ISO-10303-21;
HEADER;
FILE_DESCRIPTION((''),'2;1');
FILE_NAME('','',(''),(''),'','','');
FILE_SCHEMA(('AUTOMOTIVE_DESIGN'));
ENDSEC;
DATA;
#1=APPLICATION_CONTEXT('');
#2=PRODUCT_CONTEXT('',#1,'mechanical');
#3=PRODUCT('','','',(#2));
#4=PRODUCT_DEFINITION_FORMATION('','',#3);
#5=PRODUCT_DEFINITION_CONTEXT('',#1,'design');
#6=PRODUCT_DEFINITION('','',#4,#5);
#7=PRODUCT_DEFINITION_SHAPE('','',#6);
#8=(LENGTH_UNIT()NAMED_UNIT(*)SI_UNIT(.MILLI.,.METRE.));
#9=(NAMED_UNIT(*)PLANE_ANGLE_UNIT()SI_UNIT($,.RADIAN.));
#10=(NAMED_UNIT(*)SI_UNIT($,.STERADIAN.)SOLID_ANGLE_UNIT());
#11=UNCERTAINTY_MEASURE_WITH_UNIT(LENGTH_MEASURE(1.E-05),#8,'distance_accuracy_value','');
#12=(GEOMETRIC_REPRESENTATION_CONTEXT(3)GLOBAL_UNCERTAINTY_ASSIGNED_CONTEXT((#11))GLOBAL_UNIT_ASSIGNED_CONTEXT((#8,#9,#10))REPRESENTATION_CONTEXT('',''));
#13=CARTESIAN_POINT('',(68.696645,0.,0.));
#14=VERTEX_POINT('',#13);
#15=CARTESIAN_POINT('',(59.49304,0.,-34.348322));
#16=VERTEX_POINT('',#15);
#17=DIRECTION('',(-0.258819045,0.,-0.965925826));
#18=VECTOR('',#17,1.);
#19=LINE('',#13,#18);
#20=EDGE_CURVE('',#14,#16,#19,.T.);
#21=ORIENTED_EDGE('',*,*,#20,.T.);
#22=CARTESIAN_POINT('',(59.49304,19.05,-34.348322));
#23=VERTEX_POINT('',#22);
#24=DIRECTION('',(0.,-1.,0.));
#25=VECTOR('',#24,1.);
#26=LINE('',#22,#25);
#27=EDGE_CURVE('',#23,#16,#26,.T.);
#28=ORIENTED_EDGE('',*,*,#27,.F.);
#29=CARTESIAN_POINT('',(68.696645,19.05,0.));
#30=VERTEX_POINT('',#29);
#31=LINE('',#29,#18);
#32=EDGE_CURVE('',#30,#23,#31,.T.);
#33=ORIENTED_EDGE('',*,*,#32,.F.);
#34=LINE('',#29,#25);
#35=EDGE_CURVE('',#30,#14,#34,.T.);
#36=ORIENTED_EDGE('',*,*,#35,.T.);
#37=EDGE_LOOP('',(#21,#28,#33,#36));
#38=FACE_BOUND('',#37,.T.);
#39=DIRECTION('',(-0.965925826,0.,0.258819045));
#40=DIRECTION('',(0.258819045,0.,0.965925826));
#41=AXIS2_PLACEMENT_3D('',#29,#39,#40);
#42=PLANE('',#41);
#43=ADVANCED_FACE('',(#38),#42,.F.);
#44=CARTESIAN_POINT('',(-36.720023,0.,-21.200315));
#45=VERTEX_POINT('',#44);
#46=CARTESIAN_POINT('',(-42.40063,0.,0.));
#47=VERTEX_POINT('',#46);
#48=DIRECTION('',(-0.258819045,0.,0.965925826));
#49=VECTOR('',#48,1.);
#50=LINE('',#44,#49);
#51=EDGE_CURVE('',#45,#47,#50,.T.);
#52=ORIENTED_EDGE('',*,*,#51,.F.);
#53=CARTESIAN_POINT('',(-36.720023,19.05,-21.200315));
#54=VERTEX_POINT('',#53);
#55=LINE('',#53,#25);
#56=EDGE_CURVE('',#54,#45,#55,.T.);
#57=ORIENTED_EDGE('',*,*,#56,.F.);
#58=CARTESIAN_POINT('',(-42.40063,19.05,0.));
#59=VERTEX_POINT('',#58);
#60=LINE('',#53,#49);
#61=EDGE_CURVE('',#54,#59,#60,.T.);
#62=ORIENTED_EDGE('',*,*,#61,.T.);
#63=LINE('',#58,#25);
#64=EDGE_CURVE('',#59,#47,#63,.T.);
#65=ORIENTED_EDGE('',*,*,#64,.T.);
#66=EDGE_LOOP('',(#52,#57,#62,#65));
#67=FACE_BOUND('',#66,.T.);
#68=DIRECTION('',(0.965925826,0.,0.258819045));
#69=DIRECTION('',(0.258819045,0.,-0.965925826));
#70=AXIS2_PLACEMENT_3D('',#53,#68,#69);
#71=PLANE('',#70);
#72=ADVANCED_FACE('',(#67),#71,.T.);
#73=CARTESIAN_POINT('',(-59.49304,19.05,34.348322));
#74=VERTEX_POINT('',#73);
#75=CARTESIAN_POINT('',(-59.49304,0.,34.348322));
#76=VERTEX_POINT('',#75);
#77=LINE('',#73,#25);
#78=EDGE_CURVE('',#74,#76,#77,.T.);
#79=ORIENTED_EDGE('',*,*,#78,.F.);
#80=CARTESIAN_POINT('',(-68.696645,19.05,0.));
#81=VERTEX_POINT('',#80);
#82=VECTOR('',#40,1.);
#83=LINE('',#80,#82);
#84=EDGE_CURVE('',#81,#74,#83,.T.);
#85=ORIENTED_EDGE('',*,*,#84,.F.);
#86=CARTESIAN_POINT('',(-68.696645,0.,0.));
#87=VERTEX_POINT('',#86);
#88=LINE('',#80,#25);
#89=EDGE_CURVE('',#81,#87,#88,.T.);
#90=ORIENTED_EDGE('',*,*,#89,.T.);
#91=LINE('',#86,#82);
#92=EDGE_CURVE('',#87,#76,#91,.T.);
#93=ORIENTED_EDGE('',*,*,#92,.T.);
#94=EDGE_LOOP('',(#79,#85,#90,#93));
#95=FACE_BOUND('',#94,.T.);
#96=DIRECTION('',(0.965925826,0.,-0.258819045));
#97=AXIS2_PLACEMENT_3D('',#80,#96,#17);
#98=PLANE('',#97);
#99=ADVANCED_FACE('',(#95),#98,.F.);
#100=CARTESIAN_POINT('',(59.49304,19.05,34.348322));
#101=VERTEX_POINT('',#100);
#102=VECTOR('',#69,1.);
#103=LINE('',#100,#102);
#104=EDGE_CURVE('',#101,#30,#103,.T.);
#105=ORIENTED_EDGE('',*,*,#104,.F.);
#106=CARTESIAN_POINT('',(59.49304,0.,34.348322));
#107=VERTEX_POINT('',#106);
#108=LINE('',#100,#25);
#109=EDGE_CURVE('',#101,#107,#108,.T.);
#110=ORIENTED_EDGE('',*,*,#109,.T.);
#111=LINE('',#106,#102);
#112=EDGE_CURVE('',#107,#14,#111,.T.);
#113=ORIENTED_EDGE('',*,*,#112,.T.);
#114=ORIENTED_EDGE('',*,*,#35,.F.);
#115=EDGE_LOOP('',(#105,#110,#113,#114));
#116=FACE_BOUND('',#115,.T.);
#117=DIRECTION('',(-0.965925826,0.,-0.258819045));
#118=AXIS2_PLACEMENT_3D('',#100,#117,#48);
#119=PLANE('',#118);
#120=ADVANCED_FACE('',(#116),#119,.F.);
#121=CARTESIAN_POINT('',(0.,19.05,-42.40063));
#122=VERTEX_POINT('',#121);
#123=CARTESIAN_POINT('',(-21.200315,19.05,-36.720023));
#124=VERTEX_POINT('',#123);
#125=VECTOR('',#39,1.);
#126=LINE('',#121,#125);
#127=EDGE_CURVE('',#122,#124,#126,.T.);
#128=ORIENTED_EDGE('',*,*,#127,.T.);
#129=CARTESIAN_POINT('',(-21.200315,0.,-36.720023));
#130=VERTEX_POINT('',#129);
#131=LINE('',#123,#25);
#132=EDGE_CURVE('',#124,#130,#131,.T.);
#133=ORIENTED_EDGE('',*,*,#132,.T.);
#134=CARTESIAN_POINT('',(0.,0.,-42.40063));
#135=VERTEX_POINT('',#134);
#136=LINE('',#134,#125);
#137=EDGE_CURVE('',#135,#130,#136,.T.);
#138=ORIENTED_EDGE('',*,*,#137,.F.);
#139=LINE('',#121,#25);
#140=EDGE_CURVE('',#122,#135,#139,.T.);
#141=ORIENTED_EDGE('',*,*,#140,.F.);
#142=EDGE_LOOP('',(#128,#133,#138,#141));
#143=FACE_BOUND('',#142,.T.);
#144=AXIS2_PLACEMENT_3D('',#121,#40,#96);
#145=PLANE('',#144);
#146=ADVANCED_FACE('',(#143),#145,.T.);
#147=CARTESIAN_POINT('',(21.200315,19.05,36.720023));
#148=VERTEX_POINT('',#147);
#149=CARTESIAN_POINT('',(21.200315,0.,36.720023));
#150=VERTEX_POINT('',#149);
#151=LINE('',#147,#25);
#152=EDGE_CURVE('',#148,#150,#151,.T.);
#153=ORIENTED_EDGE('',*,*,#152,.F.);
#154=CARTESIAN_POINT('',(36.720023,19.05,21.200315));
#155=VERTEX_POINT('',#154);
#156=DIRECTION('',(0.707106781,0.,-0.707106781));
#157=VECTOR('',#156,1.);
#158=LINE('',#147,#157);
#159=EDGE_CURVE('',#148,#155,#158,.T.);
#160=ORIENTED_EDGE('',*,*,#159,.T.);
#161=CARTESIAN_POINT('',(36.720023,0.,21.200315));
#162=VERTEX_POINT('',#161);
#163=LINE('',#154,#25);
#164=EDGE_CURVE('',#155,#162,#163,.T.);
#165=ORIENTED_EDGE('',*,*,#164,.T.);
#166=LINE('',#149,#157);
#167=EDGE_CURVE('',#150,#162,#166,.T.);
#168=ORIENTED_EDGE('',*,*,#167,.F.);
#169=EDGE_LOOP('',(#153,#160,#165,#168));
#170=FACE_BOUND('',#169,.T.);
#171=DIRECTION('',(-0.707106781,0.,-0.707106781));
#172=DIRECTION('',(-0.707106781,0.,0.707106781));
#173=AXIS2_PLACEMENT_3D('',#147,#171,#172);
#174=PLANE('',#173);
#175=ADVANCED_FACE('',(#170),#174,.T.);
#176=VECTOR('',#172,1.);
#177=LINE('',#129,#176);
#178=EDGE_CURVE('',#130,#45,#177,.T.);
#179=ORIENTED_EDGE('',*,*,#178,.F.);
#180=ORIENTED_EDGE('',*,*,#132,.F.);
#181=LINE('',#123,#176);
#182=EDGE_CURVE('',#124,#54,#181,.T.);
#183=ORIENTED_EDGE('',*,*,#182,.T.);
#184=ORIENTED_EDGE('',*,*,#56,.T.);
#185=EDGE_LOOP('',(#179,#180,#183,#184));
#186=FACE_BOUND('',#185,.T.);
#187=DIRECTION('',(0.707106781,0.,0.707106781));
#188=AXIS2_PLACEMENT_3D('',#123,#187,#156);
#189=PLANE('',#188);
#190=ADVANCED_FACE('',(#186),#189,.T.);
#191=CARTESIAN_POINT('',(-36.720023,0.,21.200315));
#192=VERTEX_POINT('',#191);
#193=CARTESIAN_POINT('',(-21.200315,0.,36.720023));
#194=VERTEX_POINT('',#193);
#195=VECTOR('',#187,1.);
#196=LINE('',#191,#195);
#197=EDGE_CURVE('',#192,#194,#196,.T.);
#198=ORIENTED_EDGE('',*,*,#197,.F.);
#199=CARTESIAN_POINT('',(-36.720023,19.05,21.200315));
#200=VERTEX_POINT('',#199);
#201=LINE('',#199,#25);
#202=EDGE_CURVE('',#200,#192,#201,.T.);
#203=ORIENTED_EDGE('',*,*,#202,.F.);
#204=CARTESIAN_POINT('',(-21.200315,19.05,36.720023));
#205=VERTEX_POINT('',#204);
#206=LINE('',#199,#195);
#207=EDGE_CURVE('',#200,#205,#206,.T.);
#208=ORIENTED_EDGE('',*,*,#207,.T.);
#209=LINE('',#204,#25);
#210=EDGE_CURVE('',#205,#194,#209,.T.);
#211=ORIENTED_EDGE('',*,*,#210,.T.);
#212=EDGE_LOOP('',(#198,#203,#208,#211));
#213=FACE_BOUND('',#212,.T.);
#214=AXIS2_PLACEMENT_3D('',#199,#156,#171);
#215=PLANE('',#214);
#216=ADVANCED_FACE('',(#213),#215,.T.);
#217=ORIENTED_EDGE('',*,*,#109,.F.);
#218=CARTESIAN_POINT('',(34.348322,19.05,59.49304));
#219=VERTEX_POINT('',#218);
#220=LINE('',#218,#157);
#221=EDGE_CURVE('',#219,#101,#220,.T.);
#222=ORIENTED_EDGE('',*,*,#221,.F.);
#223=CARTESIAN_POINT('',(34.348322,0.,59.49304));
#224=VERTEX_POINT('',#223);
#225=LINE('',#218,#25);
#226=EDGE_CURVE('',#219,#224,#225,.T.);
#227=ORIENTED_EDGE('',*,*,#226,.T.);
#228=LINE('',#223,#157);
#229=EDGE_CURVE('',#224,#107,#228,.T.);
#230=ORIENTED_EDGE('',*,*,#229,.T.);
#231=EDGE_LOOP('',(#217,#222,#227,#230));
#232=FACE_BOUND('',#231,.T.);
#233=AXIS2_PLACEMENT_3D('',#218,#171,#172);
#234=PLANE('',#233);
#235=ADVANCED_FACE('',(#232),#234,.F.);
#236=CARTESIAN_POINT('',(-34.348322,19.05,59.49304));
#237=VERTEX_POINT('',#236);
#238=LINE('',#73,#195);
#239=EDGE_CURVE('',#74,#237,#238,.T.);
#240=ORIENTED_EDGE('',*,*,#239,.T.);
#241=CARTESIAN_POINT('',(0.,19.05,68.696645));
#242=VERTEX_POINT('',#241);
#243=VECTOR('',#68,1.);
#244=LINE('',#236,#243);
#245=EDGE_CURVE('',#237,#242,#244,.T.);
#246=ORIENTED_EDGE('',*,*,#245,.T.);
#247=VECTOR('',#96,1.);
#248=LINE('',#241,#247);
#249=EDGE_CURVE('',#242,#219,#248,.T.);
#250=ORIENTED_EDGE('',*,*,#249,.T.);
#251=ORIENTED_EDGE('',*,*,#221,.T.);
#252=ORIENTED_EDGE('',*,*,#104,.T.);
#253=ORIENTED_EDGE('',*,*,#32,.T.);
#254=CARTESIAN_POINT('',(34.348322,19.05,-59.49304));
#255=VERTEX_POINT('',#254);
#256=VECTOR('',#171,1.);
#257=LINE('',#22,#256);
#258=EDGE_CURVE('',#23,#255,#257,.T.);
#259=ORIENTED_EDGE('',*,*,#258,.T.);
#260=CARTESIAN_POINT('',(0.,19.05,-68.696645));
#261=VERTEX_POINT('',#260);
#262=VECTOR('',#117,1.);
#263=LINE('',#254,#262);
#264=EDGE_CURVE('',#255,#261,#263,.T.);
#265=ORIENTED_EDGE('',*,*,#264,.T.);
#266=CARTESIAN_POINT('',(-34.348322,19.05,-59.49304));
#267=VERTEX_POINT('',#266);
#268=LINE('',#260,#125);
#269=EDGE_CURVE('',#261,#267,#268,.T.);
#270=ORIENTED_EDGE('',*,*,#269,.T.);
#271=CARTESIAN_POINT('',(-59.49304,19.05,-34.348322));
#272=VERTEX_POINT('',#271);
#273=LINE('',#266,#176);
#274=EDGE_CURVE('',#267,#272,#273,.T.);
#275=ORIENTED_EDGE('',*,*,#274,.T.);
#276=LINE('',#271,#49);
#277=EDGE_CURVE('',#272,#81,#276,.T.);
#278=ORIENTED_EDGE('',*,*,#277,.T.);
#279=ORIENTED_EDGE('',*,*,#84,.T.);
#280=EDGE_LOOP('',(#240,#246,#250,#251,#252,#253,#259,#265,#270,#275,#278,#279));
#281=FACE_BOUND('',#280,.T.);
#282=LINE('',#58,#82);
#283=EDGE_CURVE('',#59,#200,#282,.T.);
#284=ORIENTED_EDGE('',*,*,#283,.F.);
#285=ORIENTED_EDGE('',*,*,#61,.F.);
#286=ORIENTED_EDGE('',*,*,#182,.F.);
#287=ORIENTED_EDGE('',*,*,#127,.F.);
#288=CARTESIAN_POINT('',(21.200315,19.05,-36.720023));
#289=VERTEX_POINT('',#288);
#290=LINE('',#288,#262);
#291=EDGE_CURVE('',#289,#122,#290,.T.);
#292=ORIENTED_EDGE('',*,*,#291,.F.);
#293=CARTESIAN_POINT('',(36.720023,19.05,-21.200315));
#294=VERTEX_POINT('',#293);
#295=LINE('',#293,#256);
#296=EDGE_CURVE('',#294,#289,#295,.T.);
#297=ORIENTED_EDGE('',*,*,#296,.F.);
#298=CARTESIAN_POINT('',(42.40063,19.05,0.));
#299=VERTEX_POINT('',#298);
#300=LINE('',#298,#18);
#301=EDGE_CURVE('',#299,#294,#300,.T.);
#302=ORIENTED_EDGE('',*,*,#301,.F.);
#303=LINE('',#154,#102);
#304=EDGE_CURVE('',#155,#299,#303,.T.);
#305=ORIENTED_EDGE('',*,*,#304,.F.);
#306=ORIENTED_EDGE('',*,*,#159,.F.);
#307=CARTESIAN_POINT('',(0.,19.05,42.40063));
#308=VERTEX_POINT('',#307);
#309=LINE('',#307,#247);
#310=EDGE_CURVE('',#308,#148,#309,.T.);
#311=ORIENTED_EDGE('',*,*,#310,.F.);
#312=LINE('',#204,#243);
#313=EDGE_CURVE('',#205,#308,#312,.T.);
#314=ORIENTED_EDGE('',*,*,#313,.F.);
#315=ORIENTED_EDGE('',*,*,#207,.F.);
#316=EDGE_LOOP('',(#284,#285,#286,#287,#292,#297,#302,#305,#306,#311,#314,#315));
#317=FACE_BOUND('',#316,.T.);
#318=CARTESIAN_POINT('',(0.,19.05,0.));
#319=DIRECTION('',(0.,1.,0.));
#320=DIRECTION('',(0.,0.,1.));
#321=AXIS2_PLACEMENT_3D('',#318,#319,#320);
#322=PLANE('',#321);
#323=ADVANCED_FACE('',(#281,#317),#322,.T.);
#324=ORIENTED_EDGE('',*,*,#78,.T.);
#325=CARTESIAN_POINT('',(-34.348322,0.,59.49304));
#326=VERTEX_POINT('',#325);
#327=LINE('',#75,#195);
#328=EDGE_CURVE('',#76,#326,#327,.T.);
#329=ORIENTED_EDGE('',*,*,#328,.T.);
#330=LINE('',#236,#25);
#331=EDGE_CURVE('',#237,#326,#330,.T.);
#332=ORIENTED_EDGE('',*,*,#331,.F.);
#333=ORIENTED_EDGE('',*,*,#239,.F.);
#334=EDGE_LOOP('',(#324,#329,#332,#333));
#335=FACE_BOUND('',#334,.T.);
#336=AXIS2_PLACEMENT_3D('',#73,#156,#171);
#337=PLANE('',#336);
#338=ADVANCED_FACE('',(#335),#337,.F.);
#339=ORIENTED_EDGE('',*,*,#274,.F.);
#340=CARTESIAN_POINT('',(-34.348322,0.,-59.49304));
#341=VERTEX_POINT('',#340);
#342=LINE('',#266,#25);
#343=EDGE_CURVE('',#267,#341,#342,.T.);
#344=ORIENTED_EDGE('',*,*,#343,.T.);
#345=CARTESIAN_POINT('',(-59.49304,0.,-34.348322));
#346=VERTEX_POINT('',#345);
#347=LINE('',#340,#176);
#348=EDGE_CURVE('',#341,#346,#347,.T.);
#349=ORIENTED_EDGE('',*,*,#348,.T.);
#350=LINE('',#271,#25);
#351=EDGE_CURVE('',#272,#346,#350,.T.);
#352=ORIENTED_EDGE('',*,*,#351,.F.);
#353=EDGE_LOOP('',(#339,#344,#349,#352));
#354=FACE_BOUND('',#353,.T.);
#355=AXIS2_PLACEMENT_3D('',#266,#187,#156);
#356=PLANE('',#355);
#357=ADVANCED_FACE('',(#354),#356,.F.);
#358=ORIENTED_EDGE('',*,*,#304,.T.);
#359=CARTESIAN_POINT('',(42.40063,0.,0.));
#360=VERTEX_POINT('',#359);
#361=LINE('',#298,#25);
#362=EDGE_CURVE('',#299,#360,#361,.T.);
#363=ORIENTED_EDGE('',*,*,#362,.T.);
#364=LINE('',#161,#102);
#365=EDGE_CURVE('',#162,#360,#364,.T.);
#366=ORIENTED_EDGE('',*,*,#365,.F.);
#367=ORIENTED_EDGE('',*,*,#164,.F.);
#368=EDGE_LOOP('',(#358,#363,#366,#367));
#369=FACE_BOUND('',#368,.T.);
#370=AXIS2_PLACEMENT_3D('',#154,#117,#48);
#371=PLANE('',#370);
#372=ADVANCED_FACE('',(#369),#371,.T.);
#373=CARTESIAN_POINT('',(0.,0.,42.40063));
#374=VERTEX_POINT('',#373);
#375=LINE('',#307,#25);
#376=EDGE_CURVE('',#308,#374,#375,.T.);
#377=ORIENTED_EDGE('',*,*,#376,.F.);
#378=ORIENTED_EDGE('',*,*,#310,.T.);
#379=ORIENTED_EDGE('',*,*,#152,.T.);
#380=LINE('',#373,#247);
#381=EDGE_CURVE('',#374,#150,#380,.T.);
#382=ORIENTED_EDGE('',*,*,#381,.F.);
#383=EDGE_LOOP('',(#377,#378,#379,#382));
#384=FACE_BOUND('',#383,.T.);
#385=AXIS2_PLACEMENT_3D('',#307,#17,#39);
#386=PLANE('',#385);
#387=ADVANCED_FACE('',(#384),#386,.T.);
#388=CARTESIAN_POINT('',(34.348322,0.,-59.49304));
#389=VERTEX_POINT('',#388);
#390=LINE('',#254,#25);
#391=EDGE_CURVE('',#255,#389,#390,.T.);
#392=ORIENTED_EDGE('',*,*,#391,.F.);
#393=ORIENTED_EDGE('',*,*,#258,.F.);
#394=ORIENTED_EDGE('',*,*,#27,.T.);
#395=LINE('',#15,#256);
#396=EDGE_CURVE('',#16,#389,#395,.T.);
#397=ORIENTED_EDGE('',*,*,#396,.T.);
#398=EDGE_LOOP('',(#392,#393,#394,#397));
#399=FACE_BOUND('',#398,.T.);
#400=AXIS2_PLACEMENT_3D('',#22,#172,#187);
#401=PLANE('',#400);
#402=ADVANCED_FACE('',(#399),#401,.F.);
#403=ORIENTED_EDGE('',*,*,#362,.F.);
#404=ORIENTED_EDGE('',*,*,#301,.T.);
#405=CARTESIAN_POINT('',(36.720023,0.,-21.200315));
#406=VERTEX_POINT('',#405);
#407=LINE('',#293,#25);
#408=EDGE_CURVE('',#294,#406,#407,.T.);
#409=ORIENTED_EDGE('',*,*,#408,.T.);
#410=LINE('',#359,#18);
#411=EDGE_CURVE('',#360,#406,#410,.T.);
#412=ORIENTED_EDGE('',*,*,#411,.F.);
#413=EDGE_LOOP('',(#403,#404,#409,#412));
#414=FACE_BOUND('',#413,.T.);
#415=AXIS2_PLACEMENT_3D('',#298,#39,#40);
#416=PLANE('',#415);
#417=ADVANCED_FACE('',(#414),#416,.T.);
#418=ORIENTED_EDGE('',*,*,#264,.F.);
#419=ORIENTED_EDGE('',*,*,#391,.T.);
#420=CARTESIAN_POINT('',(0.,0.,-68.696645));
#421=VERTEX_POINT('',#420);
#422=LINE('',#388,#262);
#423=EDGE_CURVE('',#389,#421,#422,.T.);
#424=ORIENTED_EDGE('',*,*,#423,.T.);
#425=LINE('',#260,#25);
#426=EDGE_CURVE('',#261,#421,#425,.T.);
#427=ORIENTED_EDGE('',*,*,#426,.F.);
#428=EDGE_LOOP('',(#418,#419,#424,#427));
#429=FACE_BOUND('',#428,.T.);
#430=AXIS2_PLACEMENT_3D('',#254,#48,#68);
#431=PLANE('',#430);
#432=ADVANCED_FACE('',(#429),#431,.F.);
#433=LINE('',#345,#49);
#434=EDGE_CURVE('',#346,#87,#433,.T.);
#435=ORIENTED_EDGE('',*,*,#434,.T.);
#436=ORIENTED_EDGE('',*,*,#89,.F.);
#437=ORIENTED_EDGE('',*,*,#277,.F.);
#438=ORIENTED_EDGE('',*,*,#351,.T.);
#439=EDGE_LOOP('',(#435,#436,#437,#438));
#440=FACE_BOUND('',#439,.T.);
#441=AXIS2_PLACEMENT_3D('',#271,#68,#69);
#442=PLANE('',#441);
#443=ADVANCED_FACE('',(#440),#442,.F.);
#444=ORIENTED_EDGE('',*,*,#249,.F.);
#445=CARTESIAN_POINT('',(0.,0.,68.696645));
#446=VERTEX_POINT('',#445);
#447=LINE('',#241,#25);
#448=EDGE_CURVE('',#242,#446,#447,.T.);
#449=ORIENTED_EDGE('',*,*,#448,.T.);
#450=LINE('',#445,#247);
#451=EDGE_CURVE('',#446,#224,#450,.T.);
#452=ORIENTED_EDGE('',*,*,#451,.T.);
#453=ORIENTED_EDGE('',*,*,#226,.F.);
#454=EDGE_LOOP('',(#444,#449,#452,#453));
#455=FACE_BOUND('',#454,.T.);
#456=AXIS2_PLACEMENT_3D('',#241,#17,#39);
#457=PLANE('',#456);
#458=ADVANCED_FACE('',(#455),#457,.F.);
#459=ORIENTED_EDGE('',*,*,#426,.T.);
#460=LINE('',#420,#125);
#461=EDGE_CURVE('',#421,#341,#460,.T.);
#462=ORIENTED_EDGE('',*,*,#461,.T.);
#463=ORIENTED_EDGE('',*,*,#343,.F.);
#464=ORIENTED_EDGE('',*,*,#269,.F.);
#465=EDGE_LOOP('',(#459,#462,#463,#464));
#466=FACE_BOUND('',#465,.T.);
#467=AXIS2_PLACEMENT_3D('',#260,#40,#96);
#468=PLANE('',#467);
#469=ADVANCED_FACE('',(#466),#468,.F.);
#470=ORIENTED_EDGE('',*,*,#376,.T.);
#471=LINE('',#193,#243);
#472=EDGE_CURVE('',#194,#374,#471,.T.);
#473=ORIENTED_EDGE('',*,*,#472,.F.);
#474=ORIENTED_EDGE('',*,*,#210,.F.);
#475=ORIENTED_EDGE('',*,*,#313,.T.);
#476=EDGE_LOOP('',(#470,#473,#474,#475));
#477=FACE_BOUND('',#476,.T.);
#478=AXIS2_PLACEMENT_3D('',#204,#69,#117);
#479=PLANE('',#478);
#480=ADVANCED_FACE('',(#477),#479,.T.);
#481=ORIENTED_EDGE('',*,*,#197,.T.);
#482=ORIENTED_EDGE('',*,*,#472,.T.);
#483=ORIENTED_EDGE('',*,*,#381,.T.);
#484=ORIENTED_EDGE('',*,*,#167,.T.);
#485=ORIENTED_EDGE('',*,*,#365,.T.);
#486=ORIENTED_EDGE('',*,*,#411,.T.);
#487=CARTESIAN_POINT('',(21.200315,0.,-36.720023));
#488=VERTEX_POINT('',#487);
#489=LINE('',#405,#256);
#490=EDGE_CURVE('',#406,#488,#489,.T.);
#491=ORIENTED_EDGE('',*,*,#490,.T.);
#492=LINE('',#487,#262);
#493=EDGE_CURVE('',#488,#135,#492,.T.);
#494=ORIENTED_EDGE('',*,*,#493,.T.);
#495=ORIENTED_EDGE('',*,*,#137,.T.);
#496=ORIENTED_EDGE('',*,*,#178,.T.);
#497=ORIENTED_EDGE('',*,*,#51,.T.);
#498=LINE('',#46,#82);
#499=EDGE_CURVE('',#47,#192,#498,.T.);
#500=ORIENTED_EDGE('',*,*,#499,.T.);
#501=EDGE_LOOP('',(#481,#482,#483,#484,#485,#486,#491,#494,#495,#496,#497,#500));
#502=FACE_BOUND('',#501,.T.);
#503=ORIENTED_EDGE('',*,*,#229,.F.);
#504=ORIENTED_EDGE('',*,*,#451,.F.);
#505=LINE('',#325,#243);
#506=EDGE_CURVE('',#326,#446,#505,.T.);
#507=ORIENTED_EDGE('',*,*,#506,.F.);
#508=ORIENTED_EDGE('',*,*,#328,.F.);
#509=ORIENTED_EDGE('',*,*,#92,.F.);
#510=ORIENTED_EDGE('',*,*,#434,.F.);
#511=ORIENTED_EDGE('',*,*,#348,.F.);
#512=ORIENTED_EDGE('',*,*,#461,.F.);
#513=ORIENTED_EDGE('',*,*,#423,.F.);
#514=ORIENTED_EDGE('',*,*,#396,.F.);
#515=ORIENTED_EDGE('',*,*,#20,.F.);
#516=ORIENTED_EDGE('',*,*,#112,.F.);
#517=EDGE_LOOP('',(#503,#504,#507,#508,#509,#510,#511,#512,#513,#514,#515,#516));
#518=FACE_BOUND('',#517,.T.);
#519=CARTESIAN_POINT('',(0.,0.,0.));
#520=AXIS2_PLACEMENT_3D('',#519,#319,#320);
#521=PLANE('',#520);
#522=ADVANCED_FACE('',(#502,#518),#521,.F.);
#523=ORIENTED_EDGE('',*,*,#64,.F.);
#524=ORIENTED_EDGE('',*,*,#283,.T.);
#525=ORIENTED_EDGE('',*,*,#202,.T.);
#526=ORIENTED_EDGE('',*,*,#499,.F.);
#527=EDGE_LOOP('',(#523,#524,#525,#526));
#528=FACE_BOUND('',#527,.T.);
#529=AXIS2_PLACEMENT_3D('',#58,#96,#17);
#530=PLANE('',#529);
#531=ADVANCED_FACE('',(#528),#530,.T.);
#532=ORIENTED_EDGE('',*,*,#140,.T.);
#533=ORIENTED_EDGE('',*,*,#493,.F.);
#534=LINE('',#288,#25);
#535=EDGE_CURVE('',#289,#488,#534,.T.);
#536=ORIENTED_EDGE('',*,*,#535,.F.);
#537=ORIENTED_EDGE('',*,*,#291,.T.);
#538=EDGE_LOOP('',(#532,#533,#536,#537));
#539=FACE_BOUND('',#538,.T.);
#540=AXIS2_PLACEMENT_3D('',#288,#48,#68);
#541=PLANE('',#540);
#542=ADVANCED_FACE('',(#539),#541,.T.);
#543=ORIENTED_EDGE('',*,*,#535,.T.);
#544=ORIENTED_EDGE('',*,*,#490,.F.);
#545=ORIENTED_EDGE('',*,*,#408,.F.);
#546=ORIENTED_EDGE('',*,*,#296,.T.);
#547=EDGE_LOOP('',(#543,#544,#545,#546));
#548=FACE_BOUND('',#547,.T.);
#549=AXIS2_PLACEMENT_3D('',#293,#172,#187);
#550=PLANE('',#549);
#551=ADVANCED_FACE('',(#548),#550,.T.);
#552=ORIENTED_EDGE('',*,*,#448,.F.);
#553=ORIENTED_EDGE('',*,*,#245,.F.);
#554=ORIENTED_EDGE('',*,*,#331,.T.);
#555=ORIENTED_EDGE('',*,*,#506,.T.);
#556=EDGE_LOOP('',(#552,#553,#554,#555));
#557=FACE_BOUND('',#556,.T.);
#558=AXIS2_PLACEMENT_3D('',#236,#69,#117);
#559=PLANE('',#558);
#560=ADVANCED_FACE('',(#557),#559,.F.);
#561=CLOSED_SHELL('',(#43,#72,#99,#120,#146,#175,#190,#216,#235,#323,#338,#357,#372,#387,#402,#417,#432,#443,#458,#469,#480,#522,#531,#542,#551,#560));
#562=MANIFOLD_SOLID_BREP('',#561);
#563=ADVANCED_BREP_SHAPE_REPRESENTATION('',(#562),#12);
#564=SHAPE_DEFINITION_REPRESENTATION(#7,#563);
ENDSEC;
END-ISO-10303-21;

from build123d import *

# Parameters (mm, degrees)
BOSS_EXTRUDE1_DEPTH = 19.05


with BuildPart() as part:
    # Sketch1 → Boss-Extrude1 (new body)
    with BuildSketch(Plane(origin=(0, 0, 0), x_dir=(1, 0, 0), z_dir=(0, 1, 0))):
        Polygon((68.696644766, 0), (59.493039522, 34.348322383), (34.348322383, 59.493039522), (0, 68.696644766), (-34.348322383, 59.493039522), (-59.493039522, 34.348322383), (-68.696644766, 0), (-59.493039522, -34.348322383), (-34.348322383, -59.493039522), (0, -68.696644766), (34.348322383, -59.493039522), (59.493039522, -34.348322383), align=None)
        Polygon((42.400629783, 0), (36.720022529, 21.200314892), (21.200314892, 36.720022529), (0, 42.400629783), (-21.200314892, 36.720022529), (-36.720022529, 21.200314892), (-42.400629783, 0), (-36.720022529, -21.200314892), (-21.200314892, -36.720022529), (0, -42.400629783), (21.200314892, -36.720022529), (36.720022529, -21.200314892), align=None, mode=Mode.SUBTRACT)
    extrude(amount=BOSS_EXTRUDE1_DEPTH)


solid = part.part
